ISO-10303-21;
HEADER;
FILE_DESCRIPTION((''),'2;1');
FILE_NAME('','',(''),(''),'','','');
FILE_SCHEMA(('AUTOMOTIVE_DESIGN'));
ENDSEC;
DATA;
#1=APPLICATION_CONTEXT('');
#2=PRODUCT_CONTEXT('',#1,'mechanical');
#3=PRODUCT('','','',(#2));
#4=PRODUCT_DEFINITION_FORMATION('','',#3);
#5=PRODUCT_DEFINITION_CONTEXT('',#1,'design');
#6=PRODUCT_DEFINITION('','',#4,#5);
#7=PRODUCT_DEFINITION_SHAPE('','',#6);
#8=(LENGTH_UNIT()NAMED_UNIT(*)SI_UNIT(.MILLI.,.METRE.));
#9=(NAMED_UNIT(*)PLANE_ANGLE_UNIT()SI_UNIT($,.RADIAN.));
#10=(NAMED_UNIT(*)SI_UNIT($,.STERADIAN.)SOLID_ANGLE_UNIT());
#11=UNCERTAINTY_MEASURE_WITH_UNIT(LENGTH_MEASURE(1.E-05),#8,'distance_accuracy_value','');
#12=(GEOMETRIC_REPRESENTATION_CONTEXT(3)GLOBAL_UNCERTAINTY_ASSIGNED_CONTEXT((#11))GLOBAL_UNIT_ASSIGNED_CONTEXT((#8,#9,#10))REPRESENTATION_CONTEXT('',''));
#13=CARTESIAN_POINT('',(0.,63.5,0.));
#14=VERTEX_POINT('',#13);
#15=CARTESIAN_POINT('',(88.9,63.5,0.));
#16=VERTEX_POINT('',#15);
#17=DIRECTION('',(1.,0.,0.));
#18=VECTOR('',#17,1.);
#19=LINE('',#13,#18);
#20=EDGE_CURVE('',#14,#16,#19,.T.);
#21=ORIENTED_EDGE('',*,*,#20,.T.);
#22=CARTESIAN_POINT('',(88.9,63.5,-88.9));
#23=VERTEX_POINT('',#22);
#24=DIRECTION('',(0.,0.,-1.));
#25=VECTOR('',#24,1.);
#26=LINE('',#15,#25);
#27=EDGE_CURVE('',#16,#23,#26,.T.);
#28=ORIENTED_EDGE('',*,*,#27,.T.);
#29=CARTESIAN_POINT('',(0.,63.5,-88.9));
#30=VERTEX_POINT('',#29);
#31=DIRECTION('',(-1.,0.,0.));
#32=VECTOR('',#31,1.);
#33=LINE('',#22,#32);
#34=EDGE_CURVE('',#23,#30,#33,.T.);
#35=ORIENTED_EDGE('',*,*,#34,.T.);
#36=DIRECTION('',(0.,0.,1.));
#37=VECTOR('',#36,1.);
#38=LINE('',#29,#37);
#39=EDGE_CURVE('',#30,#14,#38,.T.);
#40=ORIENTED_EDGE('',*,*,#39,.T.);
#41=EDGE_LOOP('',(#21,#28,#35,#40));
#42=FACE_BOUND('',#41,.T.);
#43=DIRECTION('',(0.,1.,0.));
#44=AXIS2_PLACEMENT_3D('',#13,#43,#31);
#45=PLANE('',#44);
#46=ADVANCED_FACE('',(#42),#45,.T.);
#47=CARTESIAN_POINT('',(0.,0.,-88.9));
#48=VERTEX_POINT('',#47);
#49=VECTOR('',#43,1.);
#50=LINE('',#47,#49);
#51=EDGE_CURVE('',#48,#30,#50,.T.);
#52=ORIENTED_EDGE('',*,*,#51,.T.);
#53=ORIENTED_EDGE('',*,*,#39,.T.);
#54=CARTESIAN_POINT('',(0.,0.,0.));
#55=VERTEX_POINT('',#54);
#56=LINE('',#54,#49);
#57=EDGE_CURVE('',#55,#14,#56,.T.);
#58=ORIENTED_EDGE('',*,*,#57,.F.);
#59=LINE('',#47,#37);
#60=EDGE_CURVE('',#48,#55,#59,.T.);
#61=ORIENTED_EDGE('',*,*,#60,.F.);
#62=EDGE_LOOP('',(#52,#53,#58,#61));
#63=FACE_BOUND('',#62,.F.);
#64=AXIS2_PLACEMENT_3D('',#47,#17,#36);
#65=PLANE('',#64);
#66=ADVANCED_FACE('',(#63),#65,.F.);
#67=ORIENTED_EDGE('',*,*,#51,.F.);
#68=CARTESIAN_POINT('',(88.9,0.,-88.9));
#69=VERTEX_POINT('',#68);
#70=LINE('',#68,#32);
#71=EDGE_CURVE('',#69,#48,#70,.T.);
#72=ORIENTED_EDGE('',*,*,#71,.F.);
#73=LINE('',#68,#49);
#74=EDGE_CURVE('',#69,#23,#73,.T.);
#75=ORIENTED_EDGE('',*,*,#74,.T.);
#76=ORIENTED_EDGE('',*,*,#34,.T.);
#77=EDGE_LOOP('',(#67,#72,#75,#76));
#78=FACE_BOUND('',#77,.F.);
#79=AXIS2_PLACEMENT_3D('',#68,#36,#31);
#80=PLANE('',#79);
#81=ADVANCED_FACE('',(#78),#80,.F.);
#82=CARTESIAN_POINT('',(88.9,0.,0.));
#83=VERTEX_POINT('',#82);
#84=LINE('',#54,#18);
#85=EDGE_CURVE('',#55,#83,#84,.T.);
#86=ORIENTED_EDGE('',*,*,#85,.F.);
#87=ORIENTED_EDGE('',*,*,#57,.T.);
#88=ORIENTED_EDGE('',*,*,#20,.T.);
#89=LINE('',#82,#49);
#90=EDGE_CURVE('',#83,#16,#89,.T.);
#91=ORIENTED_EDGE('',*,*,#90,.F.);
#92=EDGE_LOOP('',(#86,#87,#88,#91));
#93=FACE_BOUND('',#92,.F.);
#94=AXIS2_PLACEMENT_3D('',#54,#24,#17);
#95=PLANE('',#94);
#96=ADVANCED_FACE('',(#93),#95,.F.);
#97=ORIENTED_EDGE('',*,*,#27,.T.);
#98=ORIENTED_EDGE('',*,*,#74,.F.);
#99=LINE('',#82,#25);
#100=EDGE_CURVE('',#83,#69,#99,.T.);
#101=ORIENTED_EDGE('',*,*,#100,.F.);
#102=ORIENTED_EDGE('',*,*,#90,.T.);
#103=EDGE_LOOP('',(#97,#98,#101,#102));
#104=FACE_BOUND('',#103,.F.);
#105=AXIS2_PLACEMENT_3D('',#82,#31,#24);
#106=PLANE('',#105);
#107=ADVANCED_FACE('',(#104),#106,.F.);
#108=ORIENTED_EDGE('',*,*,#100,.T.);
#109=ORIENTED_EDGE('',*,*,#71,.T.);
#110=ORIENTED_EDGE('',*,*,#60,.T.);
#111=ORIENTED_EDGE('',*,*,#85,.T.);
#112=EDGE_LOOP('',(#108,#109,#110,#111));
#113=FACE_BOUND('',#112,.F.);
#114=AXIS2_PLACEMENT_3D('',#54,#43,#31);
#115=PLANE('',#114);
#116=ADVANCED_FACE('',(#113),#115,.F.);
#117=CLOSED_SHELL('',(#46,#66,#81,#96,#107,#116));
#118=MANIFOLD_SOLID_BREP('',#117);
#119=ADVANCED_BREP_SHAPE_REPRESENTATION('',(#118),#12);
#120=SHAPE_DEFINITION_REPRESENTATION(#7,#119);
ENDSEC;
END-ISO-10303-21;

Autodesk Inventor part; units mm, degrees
ref_plane "YZ Plane" through (0, 0, 0) normal (1, 0, 0) x (0, 1, 0)
ref_plane "XZ Plane" through (0, 0, 0) normal (0, 1, 0) x (-1, 0, 0)
ref_plane "XY Plane" through (0, 0, 0) normal (0, 0, 1) x (1, 0, 0)
sketch "Sketch1" plane through (0, 0, 0) normal (0, 1, 0) x (-1, 0, 0)
  line L0 (0, 0) -> (-88.9, 0)
  line L1 (-88.9, 0) -> (-88.9, -88.9)
  line L2 (-88.9, -88.9) -> (0, -88.9)
  line L3 (0, -88.9) -> (0, 0)
  dimension "d0" = 88.9
extrude "Extrusion1" add sketch "Sketch1" along normal blind 63.5
properties part number "Angle Brace Knob"
